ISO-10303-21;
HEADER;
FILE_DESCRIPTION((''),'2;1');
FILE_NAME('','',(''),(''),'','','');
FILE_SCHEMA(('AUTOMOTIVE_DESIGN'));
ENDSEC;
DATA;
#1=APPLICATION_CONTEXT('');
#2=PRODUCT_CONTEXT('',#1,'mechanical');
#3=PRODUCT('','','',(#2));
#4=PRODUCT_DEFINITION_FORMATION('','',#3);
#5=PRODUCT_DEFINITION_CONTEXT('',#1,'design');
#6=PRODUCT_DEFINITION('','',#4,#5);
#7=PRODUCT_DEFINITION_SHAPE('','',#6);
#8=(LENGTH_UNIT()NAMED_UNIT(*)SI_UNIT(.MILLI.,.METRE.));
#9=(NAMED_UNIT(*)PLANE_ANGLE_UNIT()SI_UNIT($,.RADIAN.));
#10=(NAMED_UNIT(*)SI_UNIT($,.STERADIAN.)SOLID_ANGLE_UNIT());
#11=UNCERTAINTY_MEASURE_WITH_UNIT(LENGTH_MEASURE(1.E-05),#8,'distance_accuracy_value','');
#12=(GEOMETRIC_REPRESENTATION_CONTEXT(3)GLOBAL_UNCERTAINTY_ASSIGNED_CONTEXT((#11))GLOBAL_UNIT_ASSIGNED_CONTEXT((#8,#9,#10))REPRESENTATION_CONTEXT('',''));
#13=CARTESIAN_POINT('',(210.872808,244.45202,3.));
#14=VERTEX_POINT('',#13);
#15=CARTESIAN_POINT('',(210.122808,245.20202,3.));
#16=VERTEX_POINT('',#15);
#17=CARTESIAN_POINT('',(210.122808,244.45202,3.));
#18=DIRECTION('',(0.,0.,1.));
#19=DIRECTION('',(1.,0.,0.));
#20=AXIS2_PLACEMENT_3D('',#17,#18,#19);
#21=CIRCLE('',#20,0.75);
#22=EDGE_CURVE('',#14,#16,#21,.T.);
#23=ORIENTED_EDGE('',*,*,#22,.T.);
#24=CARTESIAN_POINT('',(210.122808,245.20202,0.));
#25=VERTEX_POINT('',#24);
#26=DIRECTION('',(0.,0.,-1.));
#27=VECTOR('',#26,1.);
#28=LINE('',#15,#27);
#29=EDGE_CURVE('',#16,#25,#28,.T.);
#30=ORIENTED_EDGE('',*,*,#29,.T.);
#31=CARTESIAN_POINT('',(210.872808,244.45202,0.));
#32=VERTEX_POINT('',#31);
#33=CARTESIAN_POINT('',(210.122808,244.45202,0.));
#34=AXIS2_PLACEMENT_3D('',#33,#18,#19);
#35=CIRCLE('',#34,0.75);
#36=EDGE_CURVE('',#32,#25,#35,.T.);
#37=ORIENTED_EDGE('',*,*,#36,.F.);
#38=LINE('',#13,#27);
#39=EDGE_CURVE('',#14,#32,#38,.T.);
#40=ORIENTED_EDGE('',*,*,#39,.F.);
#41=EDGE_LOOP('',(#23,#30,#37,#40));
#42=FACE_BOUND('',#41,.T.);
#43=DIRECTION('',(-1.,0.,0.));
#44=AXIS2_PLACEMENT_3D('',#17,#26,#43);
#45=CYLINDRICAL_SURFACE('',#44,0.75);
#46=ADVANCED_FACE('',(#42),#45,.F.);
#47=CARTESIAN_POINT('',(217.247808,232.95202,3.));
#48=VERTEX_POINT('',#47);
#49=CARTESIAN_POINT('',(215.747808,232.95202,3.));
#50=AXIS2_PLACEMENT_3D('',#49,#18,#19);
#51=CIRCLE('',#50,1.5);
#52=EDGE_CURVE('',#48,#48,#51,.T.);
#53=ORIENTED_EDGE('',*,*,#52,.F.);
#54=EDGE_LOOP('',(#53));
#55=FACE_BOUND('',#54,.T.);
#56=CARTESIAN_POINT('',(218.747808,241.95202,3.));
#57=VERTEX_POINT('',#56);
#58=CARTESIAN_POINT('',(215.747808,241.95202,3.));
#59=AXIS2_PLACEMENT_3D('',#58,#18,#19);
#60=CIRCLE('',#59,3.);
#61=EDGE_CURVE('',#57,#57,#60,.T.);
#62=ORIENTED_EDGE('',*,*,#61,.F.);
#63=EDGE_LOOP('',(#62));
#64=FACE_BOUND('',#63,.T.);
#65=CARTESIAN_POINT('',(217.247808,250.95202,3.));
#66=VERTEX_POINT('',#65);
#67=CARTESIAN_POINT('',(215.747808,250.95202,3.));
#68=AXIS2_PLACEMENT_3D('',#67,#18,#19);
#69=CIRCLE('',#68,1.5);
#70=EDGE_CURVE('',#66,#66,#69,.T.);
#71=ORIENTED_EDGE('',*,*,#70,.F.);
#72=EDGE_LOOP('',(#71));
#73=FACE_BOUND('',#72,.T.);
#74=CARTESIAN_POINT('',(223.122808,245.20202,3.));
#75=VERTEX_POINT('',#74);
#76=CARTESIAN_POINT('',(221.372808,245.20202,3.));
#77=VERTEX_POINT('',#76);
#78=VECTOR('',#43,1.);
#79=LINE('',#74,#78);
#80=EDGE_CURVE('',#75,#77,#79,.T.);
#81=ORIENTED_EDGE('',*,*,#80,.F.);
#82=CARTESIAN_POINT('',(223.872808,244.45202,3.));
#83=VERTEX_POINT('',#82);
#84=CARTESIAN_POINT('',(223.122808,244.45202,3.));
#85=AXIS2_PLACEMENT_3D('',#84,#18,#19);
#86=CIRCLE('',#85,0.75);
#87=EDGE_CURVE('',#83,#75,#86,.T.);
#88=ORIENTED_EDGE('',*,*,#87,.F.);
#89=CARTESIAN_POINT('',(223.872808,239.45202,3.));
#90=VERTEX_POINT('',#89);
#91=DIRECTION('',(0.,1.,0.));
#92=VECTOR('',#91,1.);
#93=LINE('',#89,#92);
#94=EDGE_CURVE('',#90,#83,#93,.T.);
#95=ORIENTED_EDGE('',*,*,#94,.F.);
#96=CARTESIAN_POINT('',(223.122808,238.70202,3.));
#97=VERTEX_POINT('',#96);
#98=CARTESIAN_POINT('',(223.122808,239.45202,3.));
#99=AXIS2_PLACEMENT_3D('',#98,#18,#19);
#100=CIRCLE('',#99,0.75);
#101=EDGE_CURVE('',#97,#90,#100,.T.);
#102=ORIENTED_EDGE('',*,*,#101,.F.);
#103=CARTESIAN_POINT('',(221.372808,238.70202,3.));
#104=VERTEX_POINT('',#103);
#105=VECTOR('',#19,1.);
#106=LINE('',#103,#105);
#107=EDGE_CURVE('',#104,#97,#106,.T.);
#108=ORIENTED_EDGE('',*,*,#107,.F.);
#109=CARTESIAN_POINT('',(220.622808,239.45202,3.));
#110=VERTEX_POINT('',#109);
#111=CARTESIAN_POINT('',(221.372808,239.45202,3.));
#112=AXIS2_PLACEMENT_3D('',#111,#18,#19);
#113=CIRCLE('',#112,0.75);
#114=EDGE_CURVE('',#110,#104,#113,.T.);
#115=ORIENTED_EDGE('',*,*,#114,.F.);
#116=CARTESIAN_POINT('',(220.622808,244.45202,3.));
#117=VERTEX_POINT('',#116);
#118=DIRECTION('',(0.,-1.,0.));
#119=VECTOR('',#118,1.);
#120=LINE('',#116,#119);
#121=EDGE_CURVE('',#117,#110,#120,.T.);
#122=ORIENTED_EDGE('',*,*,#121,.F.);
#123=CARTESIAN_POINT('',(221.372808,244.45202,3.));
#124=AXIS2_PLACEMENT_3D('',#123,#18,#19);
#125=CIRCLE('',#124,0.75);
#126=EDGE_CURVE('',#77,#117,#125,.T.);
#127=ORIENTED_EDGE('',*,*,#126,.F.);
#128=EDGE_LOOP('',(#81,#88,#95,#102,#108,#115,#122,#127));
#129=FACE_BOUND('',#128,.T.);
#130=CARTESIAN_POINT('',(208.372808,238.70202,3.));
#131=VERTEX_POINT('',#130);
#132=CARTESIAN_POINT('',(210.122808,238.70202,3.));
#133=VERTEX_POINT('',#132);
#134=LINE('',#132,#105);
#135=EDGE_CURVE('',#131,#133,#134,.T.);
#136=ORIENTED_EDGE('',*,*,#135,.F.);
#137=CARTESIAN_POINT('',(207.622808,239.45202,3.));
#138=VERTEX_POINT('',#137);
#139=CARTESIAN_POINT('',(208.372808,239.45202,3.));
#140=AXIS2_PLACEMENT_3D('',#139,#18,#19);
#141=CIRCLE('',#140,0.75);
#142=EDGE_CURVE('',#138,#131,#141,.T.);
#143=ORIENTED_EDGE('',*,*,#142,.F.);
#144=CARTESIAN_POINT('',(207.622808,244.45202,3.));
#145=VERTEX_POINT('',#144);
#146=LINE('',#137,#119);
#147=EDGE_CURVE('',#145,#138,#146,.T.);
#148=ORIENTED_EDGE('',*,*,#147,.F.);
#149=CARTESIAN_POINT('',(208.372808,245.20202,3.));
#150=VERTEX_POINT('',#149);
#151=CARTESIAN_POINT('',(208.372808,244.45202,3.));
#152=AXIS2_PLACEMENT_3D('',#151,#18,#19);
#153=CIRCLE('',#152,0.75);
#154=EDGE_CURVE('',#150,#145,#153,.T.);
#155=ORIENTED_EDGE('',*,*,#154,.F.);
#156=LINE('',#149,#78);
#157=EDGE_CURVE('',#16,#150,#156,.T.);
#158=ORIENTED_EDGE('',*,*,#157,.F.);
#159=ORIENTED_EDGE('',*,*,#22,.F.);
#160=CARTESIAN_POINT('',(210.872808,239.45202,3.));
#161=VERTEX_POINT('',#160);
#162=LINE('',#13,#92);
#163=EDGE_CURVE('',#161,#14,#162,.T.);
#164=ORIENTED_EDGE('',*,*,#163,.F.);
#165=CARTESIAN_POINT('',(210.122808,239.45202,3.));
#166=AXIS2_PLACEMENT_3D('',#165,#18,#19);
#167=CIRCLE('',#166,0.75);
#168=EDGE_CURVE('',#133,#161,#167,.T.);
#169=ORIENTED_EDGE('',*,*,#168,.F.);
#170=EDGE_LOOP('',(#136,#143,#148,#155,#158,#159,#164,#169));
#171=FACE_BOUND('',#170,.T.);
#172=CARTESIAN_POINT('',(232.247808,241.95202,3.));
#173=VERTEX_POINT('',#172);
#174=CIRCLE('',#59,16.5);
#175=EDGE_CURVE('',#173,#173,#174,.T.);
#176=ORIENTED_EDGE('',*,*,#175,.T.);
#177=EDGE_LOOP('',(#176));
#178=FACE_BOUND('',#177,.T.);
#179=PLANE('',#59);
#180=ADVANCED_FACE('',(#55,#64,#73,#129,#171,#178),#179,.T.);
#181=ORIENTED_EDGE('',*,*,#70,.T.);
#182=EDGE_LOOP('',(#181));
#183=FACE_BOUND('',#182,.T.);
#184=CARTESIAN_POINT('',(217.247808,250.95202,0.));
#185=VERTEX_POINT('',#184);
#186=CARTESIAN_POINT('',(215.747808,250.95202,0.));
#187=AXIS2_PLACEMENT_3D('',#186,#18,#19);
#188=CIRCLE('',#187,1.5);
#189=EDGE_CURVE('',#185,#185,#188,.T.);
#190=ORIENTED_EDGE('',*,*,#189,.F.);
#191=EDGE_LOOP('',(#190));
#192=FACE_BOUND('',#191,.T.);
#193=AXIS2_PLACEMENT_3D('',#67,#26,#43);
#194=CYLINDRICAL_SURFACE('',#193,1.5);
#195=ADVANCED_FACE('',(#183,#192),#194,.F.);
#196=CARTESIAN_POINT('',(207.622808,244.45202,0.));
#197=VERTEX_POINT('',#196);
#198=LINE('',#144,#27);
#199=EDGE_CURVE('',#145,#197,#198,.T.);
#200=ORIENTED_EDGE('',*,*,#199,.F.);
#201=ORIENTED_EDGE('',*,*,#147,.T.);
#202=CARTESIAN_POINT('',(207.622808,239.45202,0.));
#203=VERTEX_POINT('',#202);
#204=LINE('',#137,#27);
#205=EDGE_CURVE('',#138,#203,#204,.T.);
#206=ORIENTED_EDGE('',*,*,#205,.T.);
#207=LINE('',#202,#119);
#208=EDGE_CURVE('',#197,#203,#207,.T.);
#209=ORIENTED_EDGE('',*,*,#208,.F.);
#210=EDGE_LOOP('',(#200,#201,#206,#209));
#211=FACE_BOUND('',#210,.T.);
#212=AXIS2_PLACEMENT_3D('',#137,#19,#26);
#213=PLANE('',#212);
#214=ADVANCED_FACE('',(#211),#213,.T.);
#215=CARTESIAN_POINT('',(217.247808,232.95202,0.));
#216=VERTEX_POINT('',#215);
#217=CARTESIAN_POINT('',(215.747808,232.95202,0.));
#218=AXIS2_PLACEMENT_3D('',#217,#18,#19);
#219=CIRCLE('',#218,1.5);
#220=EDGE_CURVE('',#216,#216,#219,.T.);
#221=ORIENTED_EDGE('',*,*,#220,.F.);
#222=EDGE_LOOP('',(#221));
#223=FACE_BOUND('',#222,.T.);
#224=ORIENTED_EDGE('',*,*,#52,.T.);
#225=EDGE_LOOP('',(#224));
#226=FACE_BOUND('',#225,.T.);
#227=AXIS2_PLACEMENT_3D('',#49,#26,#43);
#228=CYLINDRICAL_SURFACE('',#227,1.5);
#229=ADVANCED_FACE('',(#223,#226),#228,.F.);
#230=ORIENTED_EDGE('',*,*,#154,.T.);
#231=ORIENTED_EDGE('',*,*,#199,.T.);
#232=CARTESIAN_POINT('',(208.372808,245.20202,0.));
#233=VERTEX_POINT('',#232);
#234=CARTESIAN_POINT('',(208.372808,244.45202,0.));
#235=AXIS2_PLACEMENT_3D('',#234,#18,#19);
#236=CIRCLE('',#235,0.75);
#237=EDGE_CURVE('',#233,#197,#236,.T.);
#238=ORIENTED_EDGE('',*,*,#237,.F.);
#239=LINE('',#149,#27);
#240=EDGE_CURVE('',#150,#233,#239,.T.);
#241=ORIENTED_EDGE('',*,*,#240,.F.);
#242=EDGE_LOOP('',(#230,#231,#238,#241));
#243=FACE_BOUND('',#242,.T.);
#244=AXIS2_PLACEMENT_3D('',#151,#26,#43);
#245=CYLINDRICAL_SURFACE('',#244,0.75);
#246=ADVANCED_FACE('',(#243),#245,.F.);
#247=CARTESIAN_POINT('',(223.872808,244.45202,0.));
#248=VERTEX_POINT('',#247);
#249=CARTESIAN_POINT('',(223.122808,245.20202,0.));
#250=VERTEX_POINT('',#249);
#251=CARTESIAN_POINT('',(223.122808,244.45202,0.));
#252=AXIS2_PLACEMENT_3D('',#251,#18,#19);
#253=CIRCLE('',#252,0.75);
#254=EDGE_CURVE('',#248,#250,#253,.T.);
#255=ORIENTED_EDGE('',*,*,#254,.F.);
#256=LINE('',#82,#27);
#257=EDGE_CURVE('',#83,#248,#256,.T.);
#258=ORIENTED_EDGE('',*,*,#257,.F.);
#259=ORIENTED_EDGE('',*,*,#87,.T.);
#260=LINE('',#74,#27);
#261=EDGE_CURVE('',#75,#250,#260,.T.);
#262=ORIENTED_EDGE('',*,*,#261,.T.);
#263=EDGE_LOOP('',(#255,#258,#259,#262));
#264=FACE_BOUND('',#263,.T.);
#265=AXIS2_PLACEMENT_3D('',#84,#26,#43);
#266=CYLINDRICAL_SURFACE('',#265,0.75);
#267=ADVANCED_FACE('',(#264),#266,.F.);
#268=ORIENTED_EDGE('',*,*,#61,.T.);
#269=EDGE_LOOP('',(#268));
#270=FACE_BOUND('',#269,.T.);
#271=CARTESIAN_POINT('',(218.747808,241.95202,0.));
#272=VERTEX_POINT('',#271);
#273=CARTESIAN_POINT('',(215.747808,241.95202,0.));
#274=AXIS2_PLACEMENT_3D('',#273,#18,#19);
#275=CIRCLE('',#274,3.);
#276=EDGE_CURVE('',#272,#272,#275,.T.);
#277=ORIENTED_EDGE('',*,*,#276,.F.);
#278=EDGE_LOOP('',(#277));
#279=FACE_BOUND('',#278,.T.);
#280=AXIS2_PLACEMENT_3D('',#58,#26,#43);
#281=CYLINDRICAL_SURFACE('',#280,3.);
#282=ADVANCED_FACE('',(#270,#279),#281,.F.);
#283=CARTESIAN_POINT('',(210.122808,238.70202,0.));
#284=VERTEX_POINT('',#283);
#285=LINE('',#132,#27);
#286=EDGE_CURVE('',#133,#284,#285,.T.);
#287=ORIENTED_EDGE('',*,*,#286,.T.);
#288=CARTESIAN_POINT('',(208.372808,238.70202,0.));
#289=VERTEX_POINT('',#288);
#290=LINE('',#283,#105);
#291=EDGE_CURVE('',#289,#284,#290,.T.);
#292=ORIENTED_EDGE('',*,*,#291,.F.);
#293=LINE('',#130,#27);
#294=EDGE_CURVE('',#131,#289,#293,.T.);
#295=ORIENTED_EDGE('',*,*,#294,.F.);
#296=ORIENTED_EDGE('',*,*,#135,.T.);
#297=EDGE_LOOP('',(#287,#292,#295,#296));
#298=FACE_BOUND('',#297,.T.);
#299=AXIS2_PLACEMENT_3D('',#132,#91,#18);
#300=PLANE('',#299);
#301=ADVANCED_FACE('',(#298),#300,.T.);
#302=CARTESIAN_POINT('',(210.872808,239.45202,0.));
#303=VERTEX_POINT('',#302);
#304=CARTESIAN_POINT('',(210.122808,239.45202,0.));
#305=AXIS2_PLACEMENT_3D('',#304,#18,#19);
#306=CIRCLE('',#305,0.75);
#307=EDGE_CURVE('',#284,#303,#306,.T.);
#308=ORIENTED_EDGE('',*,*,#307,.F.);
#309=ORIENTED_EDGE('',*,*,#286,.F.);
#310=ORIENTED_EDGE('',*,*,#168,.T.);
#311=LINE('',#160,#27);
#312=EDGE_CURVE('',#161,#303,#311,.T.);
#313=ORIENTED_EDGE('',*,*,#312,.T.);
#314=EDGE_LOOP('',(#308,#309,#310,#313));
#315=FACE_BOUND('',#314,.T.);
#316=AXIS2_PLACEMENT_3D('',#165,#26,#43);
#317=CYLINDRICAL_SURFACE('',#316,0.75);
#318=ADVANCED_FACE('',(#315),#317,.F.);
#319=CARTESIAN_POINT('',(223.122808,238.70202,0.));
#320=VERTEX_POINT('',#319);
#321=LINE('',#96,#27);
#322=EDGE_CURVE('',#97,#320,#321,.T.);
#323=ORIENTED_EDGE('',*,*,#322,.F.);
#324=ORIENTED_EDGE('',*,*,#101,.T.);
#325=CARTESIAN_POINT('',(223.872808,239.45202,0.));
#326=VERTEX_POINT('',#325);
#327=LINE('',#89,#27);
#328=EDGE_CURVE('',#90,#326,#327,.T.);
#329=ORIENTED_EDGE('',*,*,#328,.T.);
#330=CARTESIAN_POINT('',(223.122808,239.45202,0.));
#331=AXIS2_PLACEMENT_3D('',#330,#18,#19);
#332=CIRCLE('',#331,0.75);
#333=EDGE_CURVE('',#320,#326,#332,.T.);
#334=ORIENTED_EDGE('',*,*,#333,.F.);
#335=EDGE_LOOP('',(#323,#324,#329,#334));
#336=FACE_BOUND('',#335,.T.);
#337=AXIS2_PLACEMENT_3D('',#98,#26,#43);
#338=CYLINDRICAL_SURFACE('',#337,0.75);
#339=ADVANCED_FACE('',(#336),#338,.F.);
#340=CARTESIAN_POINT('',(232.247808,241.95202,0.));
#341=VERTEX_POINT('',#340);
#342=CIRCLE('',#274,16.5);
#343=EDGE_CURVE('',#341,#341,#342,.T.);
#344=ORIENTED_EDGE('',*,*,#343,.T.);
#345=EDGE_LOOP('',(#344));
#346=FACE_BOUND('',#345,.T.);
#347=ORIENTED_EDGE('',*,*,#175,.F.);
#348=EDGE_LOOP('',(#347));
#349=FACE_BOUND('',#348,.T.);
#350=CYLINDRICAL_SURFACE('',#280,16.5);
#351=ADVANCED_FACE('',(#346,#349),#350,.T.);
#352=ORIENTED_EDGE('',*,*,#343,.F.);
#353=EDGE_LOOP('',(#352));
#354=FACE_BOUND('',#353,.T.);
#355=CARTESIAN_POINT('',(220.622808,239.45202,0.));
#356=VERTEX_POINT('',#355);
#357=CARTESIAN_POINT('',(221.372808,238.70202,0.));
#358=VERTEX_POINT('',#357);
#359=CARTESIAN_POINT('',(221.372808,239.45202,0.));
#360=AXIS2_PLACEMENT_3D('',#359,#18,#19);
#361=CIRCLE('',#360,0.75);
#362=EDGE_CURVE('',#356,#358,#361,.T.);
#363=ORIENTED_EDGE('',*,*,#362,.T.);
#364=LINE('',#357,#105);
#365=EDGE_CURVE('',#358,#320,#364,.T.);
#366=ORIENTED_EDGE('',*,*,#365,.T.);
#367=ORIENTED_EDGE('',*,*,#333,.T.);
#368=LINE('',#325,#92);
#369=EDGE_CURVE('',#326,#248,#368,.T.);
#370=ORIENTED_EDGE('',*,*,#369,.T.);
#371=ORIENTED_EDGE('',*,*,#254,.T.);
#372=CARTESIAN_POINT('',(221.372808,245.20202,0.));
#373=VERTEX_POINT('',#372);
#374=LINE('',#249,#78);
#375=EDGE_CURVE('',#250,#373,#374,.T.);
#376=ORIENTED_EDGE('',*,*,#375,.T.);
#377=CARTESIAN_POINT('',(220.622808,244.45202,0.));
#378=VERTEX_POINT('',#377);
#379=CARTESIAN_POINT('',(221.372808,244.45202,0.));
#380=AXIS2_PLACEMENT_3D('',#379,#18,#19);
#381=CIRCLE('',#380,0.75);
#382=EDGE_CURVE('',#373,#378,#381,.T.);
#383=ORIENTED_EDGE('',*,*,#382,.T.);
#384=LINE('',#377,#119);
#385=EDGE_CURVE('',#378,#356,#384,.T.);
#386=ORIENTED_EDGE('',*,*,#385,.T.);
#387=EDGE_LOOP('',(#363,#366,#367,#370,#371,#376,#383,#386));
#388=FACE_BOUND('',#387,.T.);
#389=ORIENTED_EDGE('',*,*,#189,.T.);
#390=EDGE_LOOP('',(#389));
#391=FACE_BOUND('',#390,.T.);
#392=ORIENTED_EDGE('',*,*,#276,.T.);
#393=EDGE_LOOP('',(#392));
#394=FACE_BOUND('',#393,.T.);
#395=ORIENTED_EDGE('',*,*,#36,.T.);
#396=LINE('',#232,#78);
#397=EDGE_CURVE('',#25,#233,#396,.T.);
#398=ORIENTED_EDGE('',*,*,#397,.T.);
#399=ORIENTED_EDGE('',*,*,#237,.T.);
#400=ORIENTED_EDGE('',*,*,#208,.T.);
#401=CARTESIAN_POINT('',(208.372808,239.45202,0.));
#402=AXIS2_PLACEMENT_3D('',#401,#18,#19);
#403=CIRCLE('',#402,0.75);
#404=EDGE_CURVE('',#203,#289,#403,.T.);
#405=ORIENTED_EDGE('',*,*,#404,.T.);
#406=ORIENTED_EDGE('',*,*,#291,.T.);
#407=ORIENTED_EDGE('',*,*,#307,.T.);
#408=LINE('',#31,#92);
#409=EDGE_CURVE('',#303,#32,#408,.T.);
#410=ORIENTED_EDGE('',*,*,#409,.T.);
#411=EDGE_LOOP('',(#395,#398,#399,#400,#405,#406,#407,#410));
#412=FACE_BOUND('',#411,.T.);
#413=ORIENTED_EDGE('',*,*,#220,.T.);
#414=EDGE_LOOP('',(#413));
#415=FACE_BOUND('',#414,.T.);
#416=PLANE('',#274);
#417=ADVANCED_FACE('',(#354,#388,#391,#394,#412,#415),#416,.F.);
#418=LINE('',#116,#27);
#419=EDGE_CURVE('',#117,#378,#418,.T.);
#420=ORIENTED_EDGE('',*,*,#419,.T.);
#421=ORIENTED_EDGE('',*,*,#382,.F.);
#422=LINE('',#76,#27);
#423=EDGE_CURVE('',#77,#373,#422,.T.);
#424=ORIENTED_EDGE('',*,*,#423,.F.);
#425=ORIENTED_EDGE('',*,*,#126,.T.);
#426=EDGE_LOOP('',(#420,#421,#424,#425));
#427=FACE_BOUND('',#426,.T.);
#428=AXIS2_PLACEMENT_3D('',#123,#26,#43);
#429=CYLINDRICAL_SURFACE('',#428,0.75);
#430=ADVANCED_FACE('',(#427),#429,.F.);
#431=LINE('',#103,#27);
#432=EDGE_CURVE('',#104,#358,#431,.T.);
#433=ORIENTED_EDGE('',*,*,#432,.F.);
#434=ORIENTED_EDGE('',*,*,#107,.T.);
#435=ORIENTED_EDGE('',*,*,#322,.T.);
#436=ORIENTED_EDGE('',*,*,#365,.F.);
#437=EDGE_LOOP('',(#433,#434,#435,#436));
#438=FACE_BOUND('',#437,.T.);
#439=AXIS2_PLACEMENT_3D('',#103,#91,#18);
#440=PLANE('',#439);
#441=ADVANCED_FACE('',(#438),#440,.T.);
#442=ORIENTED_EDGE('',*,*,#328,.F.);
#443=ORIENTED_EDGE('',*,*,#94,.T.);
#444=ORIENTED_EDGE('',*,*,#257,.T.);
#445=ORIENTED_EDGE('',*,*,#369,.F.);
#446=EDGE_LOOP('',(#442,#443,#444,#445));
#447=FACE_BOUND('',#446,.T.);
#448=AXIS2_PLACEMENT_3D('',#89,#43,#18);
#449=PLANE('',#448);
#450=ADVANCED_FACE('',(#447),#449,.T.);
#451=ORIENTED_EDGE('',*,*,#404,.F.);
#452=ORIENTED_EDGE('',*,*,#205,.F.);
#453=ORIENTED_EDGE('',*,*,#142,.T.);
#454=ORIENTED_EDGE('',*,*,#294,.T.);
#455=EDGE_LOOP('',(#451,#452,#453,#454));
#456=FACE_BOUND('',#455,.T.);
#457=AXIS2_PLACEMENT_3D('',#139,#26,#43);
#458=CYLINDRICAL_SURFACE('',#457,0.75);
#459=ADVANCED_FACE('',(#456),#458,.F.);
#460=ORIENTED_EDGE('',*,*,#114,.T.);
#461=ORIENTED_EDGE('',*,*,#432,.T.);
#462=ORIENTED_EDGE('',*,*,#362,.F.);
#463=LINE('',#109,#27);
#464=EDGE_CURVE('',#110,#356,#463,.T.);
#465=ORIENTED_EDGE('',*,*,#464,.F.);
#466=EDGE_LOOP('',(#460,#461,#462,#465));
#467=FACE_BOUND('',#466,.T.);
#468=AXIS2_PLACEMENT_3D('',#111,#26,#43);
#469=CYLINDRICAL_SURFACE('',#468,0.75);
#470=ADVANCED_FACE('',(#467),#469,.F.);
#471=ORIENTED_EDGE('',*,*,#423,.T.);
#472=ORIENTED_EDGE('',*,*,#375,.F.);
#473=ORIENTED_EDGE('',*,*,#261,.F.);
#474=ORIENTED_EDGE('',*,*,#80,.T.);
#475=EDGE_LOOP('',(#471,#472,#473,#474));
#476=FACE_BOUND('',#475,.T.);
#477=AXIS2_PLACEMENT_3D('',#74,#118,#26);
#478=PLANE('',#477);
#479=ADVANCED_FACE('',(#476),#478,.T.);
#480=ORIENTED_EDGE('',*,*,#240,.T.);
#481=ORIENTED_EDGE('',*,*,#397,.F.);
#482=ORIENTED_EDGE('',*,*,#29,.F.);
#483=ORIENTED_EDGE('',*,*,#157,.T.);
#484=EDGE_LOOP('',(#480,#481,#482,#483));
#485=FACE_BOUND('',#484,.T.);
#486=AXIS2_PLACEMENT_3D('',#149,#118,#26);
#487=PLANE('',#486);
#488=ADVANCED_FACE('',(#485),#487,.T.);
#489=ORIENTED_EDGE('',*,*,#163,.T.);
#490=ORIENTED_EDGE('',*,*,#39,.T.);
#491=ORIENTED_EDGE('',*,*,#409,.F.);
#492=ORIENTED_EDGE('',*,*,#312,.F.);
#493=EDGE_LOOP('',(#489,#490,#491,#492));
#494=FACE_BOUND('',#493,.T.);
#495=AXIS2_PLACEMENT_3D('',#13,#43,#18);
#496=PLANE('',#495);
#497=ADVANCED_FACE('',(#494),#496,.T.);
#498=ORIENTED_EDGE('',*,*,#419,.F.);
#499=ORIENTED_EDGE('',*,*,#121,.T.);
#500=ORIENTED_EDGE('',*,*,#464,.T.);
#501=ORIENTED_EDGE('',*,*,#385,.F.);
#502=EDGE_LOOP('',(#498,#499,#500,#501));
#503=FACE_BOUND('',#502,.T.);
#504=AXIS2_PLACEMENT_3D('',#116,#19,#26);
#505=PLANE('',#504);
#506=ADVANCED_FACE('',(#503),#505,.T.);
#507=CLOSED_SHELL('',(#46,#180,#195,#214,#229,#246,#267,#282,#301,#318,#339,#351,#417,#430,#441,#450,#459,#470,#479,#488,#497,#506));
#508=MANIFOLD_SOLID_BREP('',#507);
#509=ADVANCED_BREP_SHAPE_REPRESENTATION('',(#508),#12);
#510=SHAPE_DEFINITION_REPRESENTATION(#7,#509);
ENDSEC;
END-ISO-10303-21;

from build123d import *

# Parameters (mm, degrees)
MODEL_R                 = 16.5
MODEL_R_2               = 3
MODEL_R_3               = 1.5
SALIENTE_EXTRUIR1_DEPTH = 3


with BuildPart() as part:
    # Model → Saliente-Extruir1 (new body)
    with BuildSketch(Plane.XY):
        with Locations((215.747807914, 241.952019993)):
            Circle(MODEL_R)
        with Locations((215.747807914, 241.952019993)):
            Circle(MODEL_R_2, mode=Mode.SUBTRACT)
        with Locations((215.747807914, 232.952019993)):
            Circle(MODEL_R_3, mode=Mode.SUBTRACT)
        with Locations((215.747807914, 250.952019993)):
            Circle(MODEL_R_3, mode=Mode.SUBTRACT)
        with BuildLine():
            Line((223.122807913, 245.202019993), (221.372807913, 245.202019993))
            ThreePointArc((221.372807913, 245.202019993), (220.842477828, 244.982350079), (220.622807913, 244.452019993))
            Line((220.622807913, 244.452019993), (220.622807913, 239.452019993))
            ThreePointArc((220.622807913, 239.452019993), (220.842477828, 238.921689907), (221.372807913, 238.702019993))
            Line((221.372807913, 238.702019993), (223.122807913, 238.702019993))
            ThreePointArc((223.122807913, 238.702019993), (223.653137999, 238.921689907), (223.872807913, 239.452019993))
            Line((223.872807913, 239.452019993), (223.872807913, 244.452019993))
            ThreePointArc((223.872807913, 244.452019993), (223.653137999, 244.982350079), (223.122807913, 245.202019993))
        make_face(mode=Mode.SUBTRACT)
        with BuildLine():
            Line((208.372807913, 245.202019993), (210.122807913, 245.202019993))
            ThreePointArc((210.122807913, 245.202019993), (210.653137999, 244.982350079), (210.872807913, 244.452019993))
            Line((210.872807913, 244.452019993), (210.872807913, 239.452019993))
            ThreePointArc((210.872807913, 239.452019993), (210.653137999, 238.921689907), (210.122807913, 238.702019993))
            Line((210.122807913, 238.702019993), (208.372807913, 238.702019993))
            ThreePointArc((208.372807913, 238.702019993), (207.842477828, 238.921689907), (207.622807913, 239.452019993))
            Line((207.622807913, 239.452019993), (207.622807913, 244.452019993))
            ThreePointArc((207.622807913, 244.452019993), (207.842477828, 244.982350079), (208.372807913, 245.202019993))
        make_face(mode=Mode.SUBTRACT)
    extrude(amount=SALIENTE_EXTRUIR1_DEPTH)


solid = part.part
